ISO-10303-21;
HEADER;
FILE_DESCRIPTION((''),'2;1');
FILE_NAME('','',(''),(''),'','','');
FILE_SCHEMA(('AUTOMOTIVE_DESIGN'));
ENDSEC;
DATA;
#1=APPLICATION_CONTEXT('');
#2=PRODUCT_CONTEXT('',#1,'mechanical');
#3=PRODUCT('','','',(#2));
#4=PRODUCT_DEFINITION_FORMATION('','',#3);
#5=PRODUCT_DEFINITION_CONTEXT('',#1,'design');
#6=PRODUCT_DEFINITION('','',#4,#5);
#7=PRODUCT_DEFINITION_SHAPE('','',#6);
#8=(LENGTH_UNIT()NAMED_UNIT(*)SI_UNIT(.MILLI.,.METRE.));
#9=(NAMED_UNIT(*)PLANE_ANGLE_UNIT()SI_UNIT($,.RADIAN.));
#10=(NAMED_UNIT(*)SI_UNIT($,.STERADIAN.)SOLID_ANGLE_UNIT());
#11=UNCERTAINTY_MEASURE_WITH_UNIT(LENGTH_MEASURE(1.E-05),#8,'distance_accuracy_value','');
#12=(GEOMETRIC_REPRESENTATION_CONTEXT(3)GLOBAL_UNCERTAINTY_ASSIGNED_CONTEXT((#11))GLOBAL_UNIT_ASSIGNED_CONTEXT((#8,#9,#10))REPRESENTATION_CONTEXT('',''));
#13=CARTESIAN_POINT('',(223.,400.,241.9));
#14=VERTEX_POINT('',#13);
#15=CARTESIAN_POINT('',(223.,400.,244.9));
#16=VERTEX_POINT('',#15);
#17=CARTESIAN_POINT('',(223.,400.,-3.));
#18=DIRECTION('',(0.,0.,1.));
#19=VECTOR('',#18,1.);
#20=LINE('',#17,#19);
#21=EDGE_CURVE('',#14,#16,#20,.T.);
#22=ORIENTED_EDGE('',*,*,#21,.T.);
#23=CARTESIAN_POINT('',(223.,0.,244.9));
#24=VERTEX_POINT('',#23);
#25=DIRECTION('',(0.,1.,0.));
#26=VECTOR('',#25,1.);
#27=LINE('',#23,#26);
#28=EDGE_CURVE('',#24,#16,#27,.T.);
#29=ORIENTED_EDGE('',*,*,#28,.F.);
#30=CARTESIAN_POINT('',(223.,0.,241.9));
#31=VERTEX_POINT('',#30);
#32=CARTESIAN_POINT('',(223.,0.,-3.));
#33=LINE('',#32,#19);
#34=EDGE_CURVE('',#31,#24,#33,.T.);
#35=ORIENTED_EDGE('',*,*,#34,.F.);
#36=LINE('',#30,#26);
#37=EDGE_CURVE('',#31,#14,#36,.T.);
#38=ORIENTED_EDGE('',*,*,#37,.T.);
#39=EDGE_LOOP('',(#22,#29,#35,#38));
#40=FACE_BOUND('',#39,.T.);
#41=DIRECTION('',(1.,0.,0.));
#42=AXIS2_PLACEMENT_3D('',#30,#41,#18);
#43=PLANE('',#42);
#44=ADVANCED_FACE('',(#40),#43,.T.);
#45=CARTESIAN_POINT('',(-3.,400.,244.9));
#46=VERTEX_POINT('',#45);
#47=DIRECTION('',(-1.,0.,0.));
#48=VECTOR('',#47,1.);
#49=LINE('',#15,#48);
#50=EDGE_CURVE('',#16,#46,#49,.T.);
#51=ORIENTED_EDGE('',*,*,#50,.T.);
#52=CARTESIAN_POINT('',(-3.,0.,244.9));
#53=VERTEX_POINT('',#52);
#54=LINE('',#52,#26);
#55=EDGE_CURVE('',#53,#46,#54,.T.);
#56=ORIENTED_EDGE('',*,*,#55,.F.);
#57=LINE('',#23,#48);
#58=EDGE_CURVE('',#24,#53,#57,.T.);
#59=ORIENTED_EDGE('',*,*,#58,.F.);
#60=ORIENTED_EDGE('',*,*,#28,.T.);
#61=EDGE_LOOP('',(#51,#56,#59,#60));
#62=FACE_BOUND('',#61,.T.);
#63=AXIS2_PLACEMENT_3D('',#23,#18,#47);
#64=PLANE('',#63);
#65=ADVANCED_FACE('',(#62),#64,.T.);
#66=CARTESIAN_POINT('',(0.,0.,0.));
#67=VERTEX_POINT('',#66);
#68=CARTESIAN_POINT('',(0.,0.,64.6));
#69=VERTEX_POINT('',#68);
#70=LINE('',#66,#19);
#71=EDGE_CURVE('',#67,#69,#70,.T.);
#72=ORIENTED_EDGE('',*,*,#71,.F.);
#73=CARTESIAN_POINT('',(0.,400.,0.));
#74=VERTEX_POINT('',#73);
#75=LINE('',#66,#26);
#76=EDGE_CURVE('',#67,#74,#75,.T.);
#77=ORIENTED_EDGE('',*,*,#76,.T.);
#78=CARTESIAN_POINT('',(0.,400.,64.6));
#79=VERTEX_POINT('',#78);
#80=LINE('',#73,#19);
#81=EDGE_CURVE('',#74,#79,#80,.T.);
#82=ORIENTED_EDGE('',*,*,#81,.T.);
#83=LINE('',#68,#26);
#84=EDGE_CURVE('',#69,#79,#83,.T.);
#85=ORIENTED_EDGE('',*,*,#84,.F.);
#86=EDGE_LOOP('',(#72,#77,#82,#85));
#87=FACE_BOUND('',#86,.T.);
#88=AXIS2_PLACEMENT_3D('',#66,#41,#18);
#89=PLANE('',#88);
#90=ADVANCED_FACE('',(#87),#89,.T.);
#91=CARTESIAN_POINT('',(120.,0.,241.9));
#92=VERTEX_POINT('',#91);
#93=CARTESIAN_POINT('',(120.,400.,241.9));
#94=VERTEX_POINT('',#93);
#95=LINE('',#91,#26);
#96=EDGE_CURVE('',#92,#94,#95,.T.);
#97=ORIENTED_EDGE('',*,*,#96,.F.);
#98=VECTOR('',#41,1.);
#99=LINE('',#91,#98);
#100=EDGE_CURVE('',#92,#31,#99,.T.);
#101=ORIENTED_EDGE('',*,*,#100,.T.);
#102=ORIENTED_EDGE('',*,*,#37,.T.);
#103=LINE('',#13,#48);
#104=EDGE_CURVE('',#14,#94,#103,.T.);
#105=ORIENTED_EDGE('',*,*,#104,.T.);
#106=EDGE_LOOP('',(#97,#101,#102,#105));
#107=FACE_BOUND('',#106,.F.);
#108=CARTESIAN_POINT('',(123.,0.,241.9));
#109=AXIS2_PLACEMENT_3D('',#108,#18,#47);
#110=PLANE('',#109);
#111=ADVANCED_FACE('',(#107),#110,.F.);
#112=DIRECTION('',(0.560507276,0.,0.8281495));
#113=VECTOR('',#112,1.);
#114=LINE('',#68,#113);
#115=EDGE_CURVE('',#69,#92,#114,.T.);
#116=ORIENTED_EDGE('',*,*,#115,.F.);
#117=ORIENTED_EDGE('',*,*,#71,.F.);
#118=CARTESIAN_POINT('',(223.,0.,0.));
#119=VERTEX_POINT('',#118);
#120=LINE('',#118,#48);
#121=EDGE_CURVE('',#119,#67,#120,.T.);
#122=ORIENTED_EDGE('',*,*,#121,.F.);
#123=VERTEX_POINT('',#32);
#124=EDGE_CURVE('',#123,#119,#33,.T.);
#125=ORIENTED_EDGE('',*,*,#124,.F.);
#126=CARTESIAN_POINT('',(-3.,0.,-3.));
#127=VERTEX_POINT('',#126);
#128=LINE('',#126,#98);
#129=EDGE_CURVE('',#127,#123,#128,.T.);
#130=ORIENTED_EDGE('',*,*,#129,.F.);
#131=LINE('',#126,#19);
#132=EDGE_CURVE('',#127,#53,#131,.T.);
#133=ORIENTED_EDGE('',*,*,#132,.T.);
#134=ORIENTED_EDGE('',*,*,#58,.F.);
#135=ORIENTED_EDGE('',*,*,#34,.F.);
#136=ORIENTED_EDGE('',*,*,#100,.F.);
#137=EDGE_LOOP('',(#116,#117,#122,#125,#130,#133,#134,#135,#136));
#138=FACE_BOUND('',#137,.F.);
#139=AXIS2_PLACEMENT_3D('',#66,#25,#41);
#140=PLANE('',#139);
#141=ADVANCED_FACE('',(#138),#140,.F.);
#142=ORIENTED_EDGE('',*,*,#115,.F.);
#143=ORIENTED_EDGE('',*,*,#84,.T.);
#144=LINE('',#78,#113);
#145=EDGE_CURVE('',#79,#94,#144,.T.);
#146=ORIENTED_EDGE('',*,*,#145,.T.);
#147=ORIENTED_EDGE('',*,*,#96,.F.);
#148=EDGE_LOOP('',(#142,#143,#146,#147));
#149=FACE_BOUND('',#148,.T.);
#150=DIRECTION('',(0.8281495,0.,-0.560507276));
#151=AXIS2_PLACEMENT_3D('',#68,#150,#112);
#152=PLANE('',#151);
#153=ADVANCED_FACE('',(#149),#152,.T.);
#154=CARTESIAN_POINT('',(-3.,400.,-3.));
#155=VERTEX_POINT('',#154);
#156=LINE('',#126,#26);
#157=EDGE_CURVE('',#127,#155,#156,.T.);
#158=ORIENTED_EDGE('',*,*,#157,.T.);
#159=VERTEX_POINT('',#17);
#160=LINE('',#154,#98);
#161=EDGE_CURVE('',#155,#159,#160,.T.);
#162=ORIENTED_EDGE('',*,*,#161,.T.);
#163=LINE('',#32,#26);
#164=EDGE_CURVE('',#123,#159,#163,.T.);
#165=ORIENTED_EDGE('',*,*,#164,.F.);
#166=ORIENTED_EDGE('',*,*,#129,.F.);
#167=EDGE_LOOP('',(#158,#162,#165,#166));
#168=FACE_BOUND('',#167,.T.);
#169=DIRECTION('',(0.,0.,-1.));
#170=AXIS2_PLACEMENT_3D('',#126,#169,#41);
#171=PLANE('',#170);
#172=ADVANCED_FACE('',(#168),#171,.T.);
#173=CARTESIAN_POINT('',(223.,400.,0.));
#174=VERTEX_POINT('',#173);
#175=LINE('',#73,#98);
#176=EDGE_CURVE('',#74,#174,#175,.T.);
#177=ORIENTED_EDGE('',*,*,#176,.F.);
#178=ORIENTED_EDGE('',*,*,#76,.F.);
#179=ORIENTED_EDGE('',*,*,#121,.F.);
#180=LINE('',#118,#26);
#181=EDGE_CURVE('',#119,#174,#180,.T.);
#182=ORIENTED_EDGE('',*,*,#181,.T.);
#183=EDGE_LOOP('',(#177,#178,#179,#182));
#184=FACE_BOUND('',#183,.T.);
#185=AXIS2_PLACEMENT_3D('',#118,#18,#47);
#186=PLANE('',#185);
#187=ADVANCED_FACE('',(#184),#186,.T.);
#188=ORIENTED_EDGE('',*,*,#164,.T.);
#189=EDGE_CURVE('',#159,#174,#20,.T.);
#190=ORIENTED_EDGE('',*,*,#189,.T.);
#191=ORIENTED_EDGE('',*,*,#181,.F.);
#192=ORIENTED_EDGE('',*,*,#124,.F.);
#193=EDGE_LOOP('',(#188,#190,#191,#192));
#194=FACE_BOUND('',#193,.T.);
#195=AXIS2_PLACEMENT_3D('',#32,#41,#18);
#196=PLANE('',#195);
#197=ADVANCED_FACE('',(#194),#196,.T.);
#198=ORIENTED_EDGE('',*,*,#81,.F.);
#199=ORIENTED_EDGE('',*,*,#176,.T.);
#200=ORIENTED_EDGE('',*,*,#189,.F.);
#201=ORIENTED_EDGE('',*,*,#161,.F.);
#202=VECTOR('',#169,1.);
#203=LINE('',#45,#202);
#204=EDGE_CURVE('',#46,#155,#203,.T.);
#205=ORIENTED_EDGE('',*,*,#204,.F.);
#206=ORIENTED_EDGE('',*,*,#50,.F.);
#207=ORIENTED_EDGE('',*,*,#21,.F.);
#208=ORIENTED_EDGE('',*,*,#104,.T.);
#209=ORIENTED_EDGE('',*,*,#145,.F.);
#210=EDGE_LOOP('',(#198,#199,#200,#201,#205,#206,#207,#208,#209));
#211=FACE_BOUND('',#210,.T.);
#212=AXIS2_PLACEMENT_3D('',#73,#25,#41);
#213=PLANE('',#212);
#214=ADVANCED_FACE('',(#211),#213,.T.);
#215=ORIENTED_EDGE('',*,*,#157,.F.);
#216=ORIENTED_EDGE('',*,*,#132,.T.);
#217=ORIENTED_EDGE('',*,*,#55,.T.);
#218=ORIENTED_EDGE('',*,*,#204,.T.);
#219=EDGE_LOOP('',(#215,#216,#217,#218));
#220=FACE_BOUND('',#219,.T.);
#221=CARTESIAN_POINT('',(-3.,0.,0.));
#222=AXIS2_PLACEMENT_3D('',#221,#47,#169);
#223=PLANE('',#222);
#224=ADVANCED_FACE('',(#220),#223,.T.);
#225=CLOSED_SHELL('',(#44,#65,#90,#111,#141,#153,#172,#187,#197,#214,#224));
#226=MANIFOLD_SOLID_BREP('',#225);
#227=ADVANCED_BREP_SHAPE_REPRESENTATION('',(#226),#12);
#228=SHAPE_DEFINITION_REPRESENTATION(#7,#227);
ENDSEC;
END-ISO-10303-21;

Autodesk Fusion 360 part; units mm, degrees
sketch "Sketch1" plane through (0, 0, 0) normal (0, 1, 0) x (1, 0, 0)
  line L0 (0, 0) -> (120, 0)
  line L1 (120, 0) -> (120, -241.9)
  line L2 (0, 0) -> (0, -64.6)
  line L3 (0, -64.6) -> (120, -241.9)
  line L4 (120, 0) -> (123, 0)
  line L5 (123, 0) -> (123, -241.9)
  line L6 (123, -241.9) -> (120, -241.9)
  line L7 (120, -241.9) -> (120, 0)
  line L8 (-3, 3) -> (223, 3)
  line L9 (223, 3) -> (223, -244.9)
  line L10 (223, -244.9) -> (-3, -244.9)
  line L11 (-3, -244.9) -> (-3, 3)
  line L12 (-3, 3) -> (223, 3)
  line L13 (223, 3) -> (223, 0)
  line L14 (223, 0) -> (-3, 0)
  line L15 (-3, 0) -> (-3, 3)
  line L16 (-3, -244.9) -> (223, -244.9)
  line L17 (223, -244.9) -> (223, -241.9)
  line L18 (223, -241.9) -> (-3, -241.9)
  line L19 (-3, -241.9) -> (-3, -244.9)
  dimension "d1" = 120
  dimension "d2" = 241.9
  dimension "d3" = 64.6
  dimension "d4" = 3
  dimension "d7" = 3
  dimension "d8" = 3
  dimension "d9" = 3
  dimension "d10" = 241.9
  dimension "d11" = 100
  dimension "d12" = 3
extrude "Extrude1" add sketch "Sketch1" along normal blind 400 contours L0 L4 L8 L9 L11 L12 L13 L14 L15 | L2 L3 L11 L14 L18 | L6 L9 L10 L11 L16 L17 L18 L19
